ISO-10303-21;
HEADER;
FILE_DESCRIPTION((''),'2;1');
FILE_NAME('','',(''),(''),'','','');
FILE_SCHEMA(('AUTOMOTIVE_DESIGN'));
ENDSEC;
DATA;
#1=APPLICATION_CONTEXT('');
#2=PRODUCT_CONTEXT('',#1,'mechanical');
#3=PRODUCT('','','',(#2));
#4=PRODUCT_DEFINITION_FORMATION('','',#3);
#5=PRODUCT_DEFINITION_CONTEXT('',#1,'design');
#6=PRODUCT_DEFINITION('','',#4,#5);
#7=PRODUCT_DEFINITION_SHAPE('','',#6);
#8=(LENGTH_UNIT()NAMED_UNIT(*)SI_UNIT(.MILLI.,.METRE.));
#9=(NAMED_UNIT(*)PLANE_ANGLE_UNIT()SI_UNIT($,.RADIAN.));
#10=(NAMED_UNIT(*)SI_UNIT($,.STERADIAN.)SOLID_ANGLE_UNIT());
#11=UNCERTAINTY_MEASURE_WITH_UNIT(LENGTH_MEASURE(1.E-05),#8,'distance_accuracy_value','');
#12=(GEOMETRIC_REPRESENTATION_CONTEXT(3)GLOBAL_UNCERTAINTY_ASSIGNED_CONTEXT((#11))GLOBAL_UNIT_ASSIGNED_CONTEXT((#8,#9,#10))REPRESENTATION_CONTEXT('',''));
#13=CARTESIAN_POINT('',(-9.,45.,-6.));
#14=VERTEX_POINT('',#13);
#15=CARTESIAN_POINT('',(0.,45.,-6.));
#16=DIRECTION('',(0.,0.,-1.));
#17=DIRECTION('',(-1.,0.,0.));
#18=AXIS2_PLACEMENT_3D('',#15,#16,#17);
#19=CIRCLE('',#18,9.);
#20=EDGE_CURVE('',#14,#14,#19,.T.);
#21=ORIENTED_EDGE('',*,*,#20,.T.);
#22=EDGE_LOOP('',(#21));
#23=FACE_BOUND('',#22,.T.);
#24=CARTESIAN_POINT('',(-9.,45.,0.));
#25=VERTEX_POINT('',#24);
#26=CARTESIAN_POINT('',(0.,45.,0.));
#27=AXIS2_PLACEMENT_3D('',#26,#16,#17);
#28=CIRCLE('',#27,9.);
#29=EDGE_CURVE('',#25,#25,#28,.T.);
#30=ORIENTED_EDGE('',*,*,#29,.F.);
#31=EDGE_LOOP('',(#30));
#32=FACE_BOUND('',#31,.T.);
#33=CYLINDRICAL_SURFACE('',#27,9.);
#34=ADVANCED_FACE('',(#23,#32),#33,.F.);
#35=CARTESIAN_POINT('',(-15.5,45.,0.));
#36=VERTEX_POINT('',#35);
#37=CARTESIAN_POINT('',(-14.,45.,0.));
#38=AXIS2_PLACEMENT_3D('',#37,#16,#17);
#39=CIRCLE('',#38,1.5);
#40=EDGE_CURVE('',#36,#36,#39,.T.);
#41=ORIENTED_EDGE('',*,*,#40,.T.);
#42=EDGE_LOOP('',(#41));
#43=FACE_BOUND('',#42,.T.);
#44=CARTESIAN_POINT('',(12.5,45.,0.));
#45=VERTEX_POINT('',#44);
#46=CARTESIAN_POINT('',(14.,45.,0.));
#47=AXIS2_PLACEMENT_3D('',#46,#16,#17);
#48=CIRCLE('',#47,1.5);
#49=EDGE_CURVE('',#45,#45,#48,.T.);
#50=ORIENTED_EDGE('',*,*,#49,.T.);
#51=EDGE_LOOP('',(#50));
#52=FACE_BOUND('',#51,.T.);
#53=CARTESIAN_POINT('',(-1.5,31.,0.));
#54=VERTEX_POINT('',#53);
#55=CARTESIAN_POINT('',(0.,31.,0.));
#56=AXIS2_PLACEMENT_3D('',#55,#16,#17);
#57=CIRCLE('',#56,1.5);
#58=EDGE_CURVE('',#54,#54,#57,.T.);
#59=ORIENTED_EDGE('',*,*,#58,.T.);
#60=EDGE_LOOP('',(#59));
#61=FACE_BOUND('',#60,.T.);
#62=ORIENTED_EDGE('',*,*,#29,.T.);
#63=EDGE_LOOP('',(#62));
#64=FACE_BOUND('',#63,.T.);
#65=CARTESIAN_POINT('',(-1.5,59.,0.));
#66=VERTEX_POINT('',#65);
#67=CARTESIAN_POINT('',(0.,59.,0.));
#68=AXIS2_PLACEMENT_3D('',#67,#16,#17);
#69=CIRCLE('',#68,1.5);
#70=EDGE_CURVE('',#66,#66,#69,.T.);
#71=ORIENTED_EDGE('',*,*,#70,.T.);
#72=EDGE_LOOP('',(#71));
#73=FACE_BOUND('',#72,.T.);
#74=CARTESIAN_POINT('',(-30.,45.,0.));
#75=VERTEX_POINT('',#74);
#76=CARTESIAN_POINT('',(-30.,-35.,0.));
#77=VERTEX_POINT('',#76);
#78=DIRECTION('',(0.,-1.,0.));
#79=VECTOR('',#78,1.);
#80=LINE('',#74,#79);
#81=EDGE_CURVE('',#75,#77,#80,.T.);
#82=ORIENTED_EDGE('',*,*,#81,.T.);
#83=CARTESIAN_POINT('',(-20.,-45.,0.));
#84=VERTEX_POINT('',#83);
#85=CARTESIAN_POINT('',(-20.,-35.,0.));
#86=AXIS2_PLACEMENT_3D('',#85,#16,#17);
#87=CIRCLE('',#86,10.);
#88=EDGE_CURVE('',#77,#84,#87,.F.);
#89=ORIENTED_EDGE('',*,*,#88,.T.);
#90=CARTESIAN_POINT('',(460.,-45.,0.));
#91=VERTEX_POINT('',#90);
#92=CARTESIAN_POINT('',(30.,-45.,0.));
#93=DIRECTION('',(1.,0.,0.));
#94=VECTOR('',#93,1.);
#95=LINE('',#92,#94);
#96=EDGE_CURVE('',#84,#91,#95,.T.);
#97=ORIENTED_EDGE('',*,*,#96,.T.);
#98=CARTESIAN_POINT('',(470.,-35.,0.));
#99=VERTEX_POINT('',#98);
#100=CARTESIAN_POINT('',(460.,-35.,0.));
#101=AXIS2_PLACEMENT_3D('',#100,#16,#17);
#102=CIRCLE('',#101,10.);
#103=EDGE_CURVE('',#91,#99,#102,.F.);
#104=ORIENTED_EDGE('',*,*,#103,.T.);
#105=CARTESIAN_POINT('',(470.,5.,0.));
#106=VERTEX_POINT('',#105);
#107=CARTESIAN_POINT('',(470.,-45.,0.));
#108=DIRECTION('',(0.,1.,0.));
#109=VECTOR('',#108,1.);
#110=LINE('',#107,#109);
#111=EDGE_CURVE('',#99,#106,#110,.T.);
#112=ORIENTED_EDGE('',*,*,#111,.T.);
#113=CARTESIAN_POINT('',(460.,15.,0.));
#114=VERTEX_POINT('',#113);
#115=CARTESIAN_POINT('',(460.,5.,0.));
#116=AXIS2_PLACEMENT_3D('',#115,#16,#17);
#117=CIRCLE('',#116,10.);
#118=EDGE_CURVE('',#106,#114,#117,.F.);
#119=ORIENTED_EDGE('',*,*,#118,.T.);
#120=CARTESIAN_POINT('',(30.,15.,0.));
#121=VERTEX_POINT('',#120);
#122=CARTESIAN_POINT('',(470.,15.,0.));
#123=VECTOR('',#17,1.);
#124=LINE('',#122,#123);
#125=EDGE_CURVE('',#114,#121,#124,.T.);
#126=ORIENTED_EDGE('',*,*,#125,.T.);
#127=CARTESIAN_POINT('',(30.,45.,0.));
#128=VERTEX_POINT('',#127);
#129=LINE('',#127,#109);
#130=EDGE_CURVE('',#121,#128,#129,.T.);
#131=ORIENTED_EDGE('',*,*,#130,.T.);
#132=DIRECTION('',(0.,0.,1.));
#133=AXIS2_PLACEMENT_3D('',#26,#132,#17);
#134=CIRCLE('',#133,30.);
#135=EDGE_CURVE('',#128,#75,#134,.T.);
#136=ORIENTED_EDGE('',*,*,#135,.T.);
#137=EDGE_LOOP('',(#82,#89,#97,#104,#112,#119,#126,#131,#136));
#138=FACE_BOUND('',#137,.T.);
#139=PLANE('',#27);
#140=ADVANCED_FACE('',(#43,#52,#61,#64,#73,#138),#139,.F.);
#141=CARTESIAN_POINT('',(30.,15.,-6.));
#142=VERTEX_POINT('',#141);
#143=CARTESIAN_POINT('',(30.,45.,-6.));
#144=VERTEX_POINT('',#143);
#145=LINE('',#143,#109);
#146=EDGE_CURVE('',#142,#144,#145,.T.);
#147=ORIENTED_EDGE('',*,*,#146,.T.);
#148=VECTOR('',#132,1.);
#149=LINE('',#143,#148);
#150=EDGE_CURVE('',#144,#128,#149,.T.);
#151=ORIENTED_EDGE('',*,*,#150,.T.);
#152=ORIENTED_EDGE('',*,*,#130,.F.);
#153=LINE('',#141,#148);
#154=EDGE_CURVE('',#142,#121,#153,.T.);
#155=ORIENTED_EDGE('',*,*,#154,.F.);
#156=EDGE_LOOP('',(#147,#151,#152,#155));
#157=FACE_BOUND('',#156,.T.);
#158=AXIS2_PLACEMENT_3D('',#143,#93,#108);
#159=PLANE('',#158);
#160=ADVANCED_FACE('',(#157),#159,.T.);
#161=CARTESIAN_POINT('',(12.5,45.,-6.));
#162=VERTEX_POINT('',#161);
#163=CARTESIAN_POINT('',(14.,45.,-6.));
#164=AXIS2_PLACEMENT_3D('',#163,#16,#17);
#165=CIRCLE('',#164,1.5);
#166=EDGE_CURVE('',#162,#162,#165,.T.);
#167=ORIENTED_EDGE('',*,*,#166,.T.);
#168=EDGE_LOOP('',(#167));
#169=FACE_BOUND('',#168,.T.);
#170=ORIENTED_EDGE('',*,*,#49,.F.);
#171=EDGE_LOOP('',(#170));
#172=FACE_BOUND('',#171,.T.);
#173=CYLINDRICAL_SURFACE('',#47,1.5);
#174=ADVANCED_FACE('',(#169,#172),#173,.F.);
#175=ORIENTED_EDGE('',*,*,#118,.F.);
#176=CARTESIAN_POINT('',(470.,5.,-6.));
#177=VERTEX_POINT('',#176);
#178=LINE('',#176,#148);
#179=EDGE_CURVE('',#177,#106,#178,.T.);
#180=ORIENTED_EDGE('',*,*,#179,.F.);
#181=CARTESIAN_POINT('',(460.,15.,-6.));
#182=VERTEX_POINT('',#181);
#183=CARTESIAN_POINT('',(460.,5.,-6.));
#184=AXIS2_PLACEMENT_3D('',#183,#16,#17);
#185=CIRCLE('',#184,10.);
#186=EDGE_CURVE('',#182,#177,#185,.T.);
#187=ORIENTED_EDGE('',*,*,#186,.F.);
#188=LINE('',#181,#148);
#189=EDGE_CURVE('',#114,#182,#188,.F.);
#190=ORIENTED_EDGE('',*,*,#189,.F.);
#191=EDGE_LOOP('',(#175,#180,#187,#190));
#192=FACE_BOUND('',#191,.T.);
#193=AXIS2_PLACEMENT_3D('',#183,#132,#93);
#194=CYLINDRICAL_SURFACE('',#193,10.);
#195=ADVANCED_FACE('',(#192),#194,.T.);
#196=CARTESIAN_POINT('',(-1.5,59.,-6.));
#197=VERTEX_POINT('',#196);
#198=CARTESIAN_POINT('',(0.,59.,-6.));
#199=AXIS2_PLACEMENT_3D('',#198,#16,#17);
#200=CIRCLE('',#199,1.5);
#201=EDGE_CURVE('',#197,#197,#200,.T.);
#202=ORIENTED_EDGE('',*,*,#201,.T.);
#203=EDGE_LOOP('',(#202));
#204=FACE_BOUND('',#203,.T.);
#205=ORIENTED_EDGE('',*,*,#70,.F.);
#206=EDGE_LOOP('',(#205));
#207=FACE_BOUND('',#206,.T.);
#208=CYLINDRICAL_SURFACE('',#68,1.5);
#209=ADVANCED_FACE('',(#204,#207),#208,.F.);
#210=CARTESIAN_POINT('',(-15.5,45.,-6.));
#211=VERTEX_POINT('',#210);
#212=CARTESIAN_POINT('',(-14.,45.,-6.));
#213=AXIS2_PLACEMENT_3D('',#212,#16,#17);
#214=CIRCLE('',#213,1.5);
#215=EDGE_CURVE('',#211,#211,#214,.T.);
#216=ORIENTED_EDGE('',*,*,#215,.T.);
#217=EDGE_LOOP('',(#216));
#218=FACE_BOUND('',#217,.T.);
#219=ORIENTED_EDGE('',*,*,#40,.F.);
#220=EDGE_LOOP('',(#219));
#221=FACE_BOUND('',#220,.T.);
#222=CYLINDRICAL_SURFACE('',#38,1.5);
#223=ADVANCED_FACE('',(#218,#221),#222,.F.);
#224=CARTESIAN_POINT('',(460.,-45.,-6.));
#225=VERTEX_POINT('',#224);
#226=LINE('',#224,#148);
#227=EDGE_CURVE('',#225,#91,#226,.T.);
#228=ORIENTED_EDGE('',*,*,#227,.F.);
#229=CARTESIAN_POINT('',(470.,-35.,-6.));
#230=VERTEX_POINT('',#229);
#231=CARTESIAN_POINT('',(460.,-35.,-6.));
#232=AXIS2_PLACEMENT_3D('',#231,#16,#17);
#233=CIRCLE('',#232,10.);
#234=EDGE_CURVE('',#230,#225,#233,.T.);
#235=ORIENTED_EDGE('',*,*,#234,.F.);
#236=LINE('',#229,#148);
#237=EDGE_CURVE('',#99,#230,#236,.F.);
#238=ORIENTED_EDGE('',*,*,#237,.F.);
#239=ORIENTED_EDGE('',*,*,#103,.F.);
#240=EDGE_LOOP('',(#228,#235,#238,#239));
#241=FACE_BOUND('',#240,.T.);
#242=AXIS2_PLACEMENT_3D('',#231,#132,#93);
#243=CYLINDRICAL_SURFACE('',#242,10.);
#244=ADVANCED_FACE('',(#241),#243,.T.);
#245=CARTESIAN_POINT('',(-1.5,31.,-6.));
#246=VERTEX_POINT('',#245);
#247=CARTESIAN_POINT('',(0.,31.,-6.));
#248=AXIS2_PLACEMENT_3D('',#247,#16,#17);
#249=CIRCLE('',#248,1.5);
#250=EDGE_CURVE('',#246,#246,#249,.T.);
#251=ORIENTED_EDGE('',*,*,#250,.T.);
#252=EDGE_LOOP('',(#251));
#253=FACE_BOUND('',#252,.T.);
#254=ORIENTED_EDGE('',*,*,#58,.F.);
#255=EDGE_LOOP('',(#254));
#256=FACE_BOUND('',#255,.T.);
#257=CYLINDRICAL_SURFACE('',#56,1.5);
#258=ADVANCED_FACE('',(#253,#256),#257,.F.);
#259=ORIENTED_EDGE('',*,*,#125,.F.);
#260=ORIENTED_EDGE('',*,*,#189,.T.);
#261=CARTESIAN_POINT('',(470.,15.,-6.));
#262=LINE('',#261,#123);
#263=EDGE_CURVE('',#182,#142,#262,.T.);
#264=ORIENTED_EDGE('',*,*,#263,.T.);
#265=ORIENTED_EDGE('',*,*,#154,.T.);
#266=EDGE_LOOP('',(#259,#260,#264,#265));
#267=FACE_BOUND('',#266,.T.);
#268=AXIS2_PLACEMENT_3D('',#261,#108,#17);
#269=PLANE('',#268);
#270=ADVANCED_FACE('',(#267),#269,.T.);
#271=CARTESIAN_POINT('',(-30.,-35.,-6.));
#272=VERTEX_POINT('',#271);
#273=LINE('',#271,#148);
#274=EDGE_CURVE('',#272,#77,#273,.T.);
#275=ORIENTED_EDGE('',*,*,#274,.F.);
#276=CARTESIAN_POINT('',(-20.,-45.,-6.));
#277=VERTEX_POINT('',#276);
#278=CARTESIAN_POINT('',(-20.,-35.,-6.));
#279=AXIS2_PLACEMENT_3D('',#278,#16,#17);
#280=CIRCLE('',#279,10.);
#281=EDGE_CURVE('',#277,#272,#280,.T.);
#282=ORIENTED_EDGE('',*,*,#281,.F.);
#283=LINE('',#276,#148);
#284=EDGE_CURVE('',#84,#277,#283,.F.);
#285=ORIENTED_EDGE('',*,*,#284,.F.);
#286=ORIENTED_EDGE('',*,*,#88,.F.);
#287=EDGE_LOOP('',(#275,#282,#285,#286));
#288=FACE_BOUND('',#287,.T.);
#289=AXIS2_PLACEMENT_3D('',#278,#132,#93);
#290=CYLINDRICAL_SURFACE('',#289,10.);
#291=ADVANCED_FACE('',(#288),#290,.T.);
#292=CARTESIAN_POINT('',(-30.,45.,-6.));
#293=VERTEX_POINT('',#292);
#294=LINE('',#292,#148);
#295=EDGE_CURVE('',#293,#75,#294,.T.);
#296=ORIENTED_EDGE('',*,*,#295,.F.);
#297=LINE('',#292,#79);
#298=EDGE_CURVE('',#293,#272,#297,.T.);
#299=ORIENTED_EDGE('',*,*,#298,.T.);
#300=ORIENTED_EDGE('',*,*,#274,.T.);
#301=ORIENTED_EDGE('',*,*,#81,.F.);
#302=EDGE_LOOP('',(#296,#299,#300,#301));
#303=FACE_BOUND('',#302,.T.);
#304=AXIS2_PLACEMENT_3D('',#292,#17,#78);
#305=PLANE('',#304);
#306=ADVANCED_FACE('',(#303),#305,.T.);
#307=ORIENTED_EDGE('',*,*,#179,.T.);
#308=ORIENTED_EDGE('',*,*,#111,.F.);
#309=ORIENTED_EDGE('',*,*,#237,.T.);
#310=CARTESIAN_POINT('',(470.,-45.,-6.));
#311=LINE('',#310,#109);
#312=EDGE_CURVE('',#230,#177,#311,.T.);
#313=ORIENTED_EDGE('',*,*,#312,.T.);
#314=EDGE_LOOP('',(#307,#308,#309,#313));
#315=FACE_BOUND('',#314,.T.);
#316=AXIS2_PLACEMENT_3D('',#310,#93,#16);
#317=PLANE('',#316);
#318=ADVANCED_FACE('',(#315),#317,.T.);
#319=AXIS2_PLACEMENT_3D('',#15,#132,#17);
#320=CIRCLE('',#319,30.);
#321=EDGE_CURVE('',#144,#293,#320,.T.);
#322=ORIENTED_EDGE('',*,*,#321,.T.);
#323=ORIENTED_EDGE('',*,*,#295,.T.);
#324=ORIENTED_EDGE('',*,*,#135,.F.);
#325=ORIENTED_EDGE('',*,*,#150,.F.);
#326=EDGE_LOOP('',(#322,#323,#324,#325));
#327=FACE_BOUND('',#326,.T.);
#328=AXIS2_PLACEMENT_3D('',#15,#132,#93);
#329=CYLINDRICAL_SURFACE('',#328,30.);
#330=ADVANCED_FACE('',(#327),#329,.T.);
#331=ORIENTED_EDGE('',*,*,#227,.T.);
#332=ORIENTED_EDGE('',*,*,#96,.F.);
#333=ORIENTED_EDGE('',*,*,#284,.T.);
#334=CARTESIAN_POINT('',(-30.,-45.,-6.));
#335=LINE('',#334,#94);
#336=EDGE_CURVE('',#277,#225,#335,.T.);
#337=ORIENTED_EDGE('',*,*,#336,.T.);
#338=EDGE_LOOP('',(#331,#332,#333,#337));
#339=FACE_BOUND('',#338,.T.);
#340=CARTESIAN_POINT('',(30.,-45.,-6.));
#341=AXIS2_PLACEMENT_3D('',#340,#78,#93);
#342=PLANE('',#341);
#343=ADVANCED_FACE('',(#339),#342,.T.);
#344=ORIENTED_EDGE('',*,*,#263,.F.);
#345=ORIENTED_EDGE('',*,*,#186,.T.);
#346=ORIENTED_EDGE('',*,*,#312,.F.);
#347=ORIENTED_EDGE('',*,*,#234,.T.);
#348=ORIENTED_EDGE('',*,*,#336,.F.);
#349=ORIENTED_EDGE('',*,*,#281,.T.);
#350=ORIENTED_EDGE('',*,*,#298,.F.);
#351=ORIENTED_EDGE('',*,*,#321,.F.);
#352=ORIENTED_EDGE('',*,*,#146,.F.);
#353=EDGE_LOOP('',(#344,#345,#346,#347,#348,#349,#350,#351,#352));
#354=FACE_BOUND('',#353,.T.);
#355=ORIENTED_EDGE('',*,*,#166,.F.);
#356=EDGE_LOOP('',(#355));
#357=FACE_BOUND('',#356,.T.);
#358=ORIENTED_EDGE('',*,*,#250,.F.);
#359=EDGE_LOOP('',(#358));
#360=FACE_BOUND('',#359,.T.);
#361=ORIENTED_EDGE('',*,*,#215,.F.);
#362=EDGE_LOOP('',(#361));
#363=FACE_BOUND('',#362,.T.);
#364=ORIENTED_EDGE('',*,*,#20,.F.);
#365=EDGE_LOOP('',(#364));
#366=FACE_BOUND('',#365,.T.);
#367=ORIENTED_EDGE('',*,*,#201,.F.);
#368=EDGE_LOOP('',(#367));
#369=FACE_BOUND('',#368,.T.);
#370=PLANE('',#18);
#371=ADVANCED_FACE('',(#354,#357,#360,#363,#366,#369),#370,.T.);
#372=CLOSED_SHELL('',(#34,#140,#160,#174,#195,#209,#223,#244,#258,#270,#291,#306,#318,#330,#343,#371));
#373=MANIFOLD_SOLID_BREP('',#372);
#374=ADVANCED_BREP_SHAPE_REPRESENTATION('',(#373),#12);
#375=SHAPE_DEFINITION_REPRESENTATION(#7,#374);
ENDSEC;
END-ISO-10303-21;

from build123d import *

# Parameters (mm, degrees)
SALIENTE_EXTRUIR1_DEPTH = 6
REDONDEO1_R             = 10
REDONDEO2_R             = 10
CROQUIS2_R              = 9
CORTAR_EXTRUIR1_DEPTH   = 476.984243437
CROQUIS3_R              = 1.5
CORTAR_EXTRUIR2_DEPTH   = 476.984243437


with BuildPart() as part:
    # Croquis1 → Saliente-Extruir1 (new body)
    with BuildSketch(Plane.XY):
        with BuildLine():
            Line((30, -45), (470, -45))
            Line((470, -45), (470, 15))
            Line((470, 15), (30, 15))
            Line((30, 15), (30, 45))
            ThreePointArc((30, 45), (0, 75), (-30, 45))
            Line((-30, 45), (-30, -45))
            Line((-30, -45), (30, -45))
        make_face()
    extrude(amount=-SALIENTE_EXTRUIR1_DEPTH)

    # Redondeo1
    redondeo1_edges = [part.edges().sort_by_distance(p)[0] for p in [
        (-30, -45, -3),
    ]]
    fillet(redondeo1_edges, radius=REDONDEO1_R)

    # Redondeo2
    redondeo2_edges = [part.edges().sort_by_distance(p)[0] for p in [
        (470, 15, -3),
        (470, -45, -3),
    ]]
    fillet(redondeo2_edges, radius=REDONDEO2_R)

    # Croquis2 → Cortar-Extruir1 (cut, through all)
    with BuildSketch(Plane(origin=(0, 0, -6), x_dir=(-1, 0, 0), z_dir=(0, 0, -1))):
        with Locations((0, 45)):
            Circle(CROQUIS2_R)
    extrude(amount=-CORTAR_EXTRUIR1_DEPTH, mode=Mode.SUBTRACT)

    # Croquis3 → Cortar-Extruir2 (cut, through all)
    with BuildSketch(Plane(origin=(0, 0, -6), x_dir=(-1, 0, 0), z_dir=(0, 0, -1))):
        with Locations((0, 31)):
            Circle(CROQUIS3_R)
        with Locations((14, 45)):
            Circle(CROQUIS3_R)
        with Locations((0, 59)):
            Circle(CROQUIS3_R)
        with Locations((-14, 45)):
            Circle(CROQUIS3_R)
    extrude(amount=-CORTAR_EXTRUIR2_DEPTH, mode=Mode.SUBTRACT)


solid = part.part
